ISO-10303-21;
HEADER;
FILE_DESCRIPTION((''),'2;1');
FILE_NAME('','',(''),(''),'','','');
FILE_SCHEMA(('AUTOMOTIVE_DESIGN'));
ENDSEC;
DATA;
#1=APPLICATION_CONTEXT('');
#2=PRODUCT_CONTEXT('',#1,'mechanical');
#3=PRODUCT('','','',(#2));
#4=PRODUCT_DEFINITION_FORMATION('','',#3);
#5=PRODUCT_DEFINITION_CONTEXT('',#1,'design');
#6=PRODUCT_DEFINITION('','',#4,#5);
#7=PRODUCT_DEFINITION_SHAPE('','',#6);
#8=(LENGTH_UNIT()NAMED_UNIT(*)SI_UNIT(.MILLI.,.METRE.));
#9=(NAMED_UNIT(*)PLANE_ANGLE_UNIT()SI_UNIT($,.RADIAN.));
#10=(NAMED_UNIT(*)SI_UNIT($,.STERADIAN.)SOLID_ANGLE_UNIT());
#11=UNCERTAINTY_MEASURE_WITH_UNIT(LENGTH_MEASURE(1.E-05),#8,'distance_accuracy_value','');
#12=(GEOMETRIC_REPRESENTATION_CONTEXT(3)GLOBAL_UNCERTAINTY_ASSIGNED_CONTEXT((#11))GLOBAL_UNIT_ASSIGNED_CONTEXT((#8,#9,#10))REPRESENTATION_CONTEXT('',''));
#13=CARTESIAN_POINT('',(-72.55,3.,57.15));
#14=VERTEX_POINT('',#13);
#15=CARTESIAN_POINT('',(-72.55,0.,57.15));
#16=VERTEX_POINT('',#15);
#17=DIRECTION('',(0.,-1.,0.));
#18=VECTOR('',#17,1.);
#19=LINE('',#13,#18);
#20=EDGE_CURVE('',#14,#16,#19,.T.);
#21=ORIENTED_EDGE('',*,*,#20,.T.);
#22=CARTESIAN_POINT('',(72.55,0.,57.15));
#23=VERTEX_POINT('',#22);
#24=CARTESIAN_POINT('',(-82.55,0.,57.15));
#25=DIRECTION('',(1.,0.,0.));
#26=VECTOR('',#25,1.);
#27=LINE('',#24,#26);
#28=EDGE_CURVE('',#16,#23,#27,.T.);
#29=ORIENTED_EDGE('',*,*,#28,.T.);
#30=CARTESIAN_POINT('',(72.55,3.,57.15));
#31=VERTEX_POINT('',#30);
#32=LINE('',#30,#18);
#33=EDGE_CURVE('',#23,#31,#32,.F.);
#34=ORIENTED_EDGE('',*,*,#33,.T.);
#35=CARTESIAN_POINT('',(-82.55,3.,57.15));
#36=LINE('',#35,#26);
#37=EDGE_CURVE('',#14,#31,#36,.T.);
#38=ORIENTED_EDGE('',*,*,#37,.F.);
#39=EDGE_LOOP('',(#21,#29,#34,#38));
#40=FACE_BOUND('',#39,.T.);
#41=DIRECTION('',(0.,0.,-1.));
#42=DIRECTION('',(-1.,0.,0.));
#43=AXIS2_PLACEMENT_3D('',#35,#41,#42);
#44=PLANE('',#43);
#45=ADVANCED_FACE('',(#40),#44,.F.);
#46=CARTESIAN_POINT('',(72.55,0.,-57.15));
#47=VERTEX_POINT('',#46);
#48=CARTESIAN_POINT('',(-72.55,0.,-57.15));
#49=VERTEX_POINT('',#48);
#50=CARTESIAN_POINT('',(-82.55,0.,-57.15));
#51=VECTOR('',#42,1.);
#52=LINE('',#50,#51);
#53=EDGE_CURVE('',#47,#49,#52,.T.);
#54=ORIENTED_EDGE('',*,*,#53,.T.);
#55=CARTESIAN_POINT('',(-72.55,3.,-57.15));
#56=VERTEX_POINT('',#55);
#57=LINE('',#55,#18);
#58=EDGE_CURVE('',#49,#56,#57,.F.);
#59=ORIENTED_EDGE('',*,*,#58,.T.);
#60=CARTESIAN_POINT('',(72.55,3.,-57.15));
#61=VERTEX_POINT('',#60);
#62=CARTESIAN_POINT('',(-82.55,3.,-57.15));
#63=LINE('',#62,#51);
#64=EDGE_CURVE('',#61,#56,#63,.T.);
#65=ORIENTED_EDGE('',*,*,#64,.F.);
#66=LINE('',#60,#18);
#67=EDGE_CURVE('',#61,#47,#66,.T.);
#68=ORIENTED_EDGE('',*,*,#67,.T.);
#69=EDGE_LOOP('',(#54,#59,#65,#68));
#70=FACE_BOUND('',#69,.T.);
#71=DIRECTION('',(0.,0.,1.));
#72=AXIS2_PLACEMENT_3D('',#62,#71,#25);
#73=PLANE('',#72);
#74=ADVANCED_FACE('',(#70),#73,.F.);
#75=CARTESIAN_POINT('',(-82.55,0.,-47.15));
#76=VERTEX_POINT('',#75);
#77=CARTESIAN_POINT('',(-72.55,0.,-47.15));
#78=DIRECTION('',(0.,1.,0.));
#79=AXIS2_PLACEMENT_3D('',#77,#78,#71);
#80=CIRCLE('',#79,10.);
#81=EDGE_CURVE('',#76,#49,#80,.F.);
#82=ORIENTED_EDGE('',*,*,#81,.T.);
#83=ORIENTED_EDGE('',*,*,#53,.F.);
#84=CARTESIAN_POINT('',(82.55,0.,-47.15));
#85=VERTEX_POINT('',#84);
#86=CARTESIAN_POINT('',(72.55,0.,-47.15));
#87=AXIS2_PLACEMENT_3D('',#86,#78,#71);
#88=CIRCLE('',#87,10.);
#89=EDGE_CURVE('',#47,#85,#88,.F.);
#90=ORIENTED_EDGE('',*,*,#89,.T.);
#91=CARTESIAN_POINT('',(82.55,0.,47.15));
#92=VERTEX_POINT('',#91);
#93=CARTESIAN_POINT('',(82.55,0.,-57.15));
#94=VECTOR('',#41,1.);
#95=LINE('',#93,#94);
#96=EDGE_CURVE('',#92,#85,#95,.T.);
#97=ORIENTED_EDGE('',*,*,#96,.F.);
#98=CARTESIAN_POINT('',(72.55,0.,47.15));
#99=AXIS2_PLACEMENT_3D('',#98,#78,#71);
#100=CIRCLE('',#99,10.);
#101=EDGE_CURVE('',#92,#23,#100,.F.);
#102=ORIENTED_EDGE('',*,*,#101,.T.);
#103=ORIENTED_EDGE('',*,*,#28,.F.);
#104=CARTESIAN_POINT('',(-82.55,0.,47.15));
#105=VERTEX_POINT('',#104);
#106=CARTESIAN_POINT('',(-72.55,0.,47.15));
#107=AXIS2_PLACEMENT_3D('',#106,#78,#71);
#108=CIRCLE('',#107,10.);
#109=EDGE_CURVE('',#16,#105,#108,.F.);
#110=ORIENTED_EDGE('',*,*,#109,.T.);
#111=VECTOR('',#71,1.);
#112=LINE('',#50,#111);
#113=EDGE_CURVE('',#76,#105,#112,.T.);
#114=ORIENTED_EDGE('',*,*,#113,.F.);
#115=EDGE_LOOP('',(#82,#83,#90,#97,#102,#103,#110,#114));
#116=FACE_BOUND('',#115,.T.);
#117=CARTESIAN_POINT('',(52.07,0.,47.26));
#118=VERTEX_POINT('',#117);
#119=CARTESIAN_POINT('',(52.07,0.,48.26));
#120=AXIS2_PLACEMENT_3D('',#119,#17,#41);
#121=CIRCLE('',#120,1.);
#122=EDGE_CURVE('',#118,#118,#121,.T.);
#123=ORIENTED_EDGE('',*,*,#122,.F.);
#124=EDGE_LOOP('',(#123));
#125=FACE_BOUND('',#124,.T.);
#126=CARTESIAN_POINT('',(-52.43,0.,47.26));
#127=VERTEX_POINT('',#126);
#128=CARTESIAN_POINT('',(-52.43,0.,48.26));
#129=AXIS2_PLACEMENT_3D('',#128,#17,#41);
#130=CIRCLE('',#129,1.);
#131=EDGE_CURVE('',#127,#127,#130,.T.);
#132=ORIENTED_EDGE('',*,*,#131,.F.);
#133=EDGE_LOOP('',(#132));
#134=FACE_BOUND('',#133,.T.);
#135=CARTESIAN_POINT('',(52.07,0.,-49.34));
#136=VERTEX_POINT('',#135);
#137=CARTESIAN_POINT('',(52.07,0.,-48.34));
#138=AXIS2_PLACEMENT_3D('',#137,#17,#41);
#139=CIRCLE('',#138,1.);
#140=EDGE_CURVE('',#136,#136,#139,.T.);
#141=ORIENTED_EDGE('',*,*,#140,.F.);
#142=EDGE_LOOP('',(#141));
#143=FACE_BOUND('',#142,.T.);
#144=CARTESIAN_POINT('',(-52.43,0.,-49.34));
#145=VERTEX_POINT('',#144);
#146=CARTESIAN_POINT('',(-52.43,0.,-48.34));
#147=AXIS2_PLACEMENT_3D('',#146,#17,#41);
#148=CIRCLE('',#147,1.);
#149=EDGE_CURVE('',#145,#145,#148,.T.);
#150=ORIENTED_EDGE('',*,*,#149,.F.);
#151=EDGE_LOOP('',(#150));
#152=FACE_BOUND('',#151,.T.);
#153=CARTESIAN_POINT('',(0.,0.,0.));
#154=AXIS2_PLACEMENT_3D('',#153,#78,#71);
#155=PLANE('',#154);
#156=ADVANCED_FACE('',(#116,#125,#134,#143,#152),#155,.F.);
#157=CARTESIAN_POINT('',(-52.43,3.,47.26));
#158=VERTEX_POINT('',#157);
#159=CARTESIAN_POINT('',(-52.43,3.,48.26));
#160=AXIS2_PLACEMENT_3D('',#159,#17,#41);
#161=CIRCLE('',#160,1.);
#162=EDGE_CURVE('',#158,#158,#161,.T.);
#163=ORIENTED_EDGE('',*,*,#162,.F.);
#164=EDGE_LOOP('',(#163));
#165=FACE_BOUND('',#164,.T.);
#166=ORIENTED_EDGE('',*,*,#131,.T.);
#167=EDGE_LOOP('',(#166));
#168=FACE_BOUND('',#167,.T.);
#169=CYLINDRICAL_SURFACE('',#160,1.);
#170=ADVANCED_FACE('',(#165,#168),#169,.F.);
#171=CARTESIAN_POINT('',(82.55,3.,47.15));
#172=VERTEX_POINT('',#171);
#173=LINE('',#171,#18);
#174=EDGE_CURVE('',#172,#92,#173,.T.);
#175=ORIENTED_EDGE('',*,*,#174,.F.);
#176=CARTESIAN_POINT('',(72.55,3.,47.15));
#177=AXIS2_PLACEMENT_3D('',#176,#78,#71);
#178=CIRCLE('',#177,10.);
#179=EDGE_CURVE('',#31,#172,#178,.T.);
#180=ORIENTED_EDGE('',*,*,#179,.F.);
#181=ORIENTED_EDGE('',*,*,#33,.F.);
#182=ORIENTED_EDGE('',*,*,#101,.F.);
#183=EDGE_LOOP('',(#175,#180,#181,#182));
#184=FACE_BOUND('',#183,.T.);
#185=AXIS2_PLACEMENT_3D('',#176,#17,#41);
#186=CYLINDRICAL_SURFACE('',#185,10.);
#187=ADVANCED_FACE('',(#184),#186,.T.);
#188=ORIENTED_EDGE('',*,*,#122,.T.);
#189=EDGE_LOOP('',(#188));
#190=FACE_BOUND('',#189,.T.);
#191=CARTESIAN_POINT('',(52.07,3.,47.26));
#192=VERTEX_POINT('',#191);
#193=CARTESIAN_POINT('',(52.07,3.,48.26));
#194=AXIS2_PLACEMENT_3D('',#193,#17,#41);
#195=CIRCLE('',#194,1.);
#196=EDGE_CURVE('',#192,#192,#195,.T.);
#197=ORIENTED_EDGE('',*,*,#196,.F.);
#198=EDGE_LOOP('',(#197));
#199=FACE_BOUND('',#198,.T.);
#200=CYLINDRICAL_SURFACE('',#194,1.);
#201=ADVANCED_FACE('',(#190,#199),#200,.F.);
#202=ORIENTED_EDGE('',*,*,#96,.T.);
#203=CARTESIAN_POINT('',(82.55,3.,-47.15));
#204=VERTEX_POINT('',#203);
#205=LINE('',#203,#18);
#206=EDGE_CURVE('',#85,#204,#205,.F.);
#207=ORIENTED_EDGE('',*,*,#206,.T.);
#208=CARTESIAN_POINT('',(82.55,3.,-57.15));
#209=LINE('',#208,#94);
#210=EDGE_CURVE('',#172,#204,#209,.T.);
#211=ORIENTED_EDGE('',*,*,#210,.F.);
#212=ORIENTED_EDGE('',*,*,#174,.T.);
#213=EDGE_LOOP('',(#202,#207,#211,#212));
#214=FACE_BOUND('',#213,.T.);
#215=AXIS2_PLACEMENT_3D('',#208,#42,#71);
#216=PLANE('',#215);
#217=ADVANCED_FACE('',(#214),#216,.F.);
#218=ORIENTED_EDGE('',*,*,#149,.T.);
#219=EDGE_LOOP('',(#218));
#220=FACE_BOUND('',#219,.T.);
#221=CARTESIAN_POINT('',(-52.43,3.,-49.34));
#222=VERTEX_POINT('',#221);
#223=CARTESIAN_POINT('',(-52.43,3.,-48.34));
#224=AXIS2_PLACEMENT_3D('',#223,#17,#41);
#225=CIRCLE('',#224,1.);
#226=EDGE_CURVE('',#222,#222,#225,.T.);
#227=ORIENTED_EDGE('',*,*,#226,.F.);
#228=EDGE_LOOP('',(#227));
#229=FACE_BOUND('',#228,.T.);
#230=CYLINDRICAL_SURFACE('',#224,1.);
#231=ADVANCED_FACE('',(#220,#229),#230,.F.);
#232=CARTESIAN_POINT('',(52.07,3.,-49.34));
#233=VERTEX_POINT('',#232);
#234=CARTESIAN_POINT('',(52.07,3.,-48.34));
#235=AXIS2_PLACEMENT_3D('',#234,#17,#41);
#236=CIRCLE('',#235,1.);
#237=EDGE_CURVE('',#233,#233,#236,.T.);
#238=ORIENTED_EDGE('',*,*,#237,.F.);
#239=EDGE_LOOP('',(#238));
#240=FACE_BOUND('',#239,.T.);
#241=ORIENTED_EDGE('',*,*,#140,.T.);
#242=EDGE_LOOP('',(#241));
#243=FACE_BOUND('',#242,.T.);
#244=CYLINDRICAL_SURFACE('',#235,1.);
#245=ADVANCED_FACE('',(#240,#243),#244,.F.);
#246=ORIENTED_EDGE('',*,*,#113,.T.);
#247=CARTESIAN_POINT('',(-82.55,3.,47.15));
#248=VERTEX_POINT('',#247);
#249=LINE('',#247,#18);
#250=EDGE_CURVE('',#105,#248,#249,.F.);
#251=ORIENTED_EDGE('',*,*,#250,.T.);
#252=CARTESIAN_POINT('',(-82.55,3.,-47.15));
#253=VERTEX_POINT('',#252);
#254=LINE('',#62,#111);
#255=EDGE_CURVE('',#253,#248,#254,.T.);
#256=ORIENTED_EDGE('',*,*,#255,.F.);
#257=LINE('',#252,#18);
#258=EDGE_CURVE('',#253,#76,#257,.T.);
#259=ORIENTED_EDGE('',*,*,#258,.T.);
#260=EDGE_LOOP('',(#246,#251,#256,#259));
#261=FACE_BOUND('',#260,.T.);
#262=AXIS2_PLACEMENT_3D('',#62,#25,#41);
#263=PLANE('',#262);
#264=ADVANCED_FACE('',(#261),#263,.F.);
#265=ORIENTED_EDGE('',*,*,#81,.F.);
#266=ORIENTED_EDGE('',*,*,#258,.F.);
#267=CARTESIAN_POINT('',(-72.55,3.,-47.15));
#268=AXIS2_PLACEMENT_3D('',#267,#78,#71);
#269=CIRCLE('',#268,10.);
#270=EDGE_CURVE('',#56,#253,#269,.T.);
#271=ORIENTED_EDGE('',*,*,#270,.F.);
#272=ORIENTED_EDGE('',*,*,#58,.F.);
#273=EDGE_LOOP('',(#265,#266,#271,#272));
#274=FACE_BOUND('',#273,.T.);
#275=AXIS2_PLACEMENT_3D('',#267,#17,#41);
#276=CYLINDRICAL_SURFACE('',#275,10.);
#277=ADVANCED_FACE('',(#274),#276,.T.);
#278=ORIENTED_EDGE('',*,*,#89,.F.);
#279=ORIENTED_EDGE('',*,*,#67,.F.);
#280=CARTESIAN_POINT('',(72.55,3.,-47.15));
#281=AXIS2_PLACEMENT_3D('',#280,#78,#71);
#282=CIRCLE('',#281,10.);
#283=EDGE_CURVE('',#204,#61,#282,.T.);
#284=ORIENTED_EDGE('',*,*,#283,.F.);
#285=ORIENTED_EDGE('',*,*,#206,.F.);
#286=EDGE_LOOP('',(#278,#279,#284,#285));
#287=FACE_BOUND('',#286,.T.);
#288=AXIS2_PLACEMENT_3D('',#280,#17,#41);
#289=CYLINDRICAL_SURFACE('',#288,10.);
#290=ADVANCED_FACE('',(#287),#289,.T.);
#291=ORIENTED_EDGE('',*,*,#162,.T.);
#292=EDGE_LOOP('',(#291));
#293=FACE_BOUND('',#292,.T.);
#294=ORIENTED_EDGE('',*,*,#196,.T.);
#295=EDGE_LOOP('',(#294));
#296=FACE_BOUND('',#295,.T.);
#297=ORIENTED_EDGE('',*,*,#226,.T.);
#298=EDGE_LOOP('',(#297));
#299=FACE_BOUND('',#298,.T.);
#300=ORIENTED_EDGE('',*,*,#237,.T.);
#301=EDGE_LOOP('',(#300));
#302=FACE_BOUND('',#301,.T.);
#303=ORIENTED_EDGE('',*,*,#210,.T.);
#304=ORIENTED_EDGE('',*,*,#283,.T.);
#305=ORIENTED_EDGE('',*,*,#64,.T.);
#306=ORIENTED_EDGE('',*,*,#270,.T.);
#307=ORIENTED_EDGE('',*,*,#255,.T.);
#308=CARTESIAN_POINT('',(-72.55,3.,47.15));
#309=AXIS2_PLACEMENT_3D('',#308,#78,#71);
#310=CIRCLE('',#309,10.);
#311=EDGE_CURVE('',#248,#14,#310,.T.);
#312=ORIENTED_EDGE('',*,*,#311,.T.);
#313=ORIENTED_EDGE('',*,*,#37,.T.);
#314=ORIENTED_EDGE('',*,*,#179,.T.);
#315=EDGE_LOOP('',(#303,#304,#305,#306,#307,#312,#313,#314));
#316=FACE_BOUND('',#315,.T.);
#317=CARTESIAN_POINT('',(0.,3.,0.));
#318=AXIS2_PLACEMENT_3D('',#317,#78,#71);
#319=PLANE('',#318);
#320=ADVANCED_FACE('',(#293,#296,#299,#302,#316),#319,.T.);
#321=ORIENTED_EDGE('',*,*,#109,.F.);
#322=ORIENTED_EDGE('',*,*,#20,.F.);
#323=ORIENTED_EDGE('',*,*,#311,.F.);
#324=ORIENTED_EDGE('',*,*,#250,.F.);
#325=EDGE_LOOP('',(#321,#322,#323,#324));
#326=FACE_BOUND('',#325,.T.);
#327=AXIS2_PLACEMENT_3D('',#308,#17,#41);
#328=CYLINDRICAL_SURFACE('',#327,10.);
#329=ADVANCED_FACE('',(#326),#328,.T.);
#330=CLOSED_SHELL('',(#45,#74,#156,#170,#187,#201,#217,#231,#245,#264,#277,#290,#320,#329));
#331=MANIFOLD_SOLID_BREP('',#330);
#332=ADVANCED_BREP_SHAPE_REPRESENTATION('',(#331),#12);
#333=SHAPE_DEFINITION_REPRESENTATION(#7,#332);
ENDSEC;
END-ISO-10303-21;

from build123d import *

# Parameters (mm, degrees)
SKETCH1_W           = 165.1
SKETCH1_H           = 114.3
BOSS_EXTRUDE1_DEPTH = 3
FILLET1_R           = 10
SKETCH2_R           = 1
CUT_EXTRUDE1_DEPTH  = 4


with BuildPart() as part:
    # Sketch1 → Boss-Extrude1 (new body)
    with BuildSketch(Plane(origin=(0, 0, 0), x_dir=(1, 0, 0), z_dir=(0, 1, 0))):
        Rectangle(SKETCH1_W, SKETCH1_H)
    extrude(amount=BOSS_EXTRUDE1_DEPTH)

    # Fillet1
    fillet1_edges = [part.edges().sort_by_distance(p)[0] for p in [
        (82.55, 1.5, 57.15),
        (-82.55, 1.5, 57.15),
        (-82.55, 1.5, -57.15),
        (82.55, 1.5, -57.15),
    ]]
    fillet(fillet1_edges, radius=FILLET1_R)

    # Sketch2 → Cut-Extrude1 (cut, through all)
    with BuildSketch(Plane.XZ):
        with Locations((-52.43, 48.26)):
            Circle(SKETCH2_R)
        with Locations((-52.43, -48.34)):
            Circle(SKETCH2_R)
        with Locations((52.07, 48.26)):
            Circle(SKETCH2_R)
        with Locations((52.07, -48.34)):
            Circle(SKETCH2_R)
    extrude(amount=-CUT_EXTRUDE1_DEPTH, mode=Mode.SUBTRACT)


solid = part.part
